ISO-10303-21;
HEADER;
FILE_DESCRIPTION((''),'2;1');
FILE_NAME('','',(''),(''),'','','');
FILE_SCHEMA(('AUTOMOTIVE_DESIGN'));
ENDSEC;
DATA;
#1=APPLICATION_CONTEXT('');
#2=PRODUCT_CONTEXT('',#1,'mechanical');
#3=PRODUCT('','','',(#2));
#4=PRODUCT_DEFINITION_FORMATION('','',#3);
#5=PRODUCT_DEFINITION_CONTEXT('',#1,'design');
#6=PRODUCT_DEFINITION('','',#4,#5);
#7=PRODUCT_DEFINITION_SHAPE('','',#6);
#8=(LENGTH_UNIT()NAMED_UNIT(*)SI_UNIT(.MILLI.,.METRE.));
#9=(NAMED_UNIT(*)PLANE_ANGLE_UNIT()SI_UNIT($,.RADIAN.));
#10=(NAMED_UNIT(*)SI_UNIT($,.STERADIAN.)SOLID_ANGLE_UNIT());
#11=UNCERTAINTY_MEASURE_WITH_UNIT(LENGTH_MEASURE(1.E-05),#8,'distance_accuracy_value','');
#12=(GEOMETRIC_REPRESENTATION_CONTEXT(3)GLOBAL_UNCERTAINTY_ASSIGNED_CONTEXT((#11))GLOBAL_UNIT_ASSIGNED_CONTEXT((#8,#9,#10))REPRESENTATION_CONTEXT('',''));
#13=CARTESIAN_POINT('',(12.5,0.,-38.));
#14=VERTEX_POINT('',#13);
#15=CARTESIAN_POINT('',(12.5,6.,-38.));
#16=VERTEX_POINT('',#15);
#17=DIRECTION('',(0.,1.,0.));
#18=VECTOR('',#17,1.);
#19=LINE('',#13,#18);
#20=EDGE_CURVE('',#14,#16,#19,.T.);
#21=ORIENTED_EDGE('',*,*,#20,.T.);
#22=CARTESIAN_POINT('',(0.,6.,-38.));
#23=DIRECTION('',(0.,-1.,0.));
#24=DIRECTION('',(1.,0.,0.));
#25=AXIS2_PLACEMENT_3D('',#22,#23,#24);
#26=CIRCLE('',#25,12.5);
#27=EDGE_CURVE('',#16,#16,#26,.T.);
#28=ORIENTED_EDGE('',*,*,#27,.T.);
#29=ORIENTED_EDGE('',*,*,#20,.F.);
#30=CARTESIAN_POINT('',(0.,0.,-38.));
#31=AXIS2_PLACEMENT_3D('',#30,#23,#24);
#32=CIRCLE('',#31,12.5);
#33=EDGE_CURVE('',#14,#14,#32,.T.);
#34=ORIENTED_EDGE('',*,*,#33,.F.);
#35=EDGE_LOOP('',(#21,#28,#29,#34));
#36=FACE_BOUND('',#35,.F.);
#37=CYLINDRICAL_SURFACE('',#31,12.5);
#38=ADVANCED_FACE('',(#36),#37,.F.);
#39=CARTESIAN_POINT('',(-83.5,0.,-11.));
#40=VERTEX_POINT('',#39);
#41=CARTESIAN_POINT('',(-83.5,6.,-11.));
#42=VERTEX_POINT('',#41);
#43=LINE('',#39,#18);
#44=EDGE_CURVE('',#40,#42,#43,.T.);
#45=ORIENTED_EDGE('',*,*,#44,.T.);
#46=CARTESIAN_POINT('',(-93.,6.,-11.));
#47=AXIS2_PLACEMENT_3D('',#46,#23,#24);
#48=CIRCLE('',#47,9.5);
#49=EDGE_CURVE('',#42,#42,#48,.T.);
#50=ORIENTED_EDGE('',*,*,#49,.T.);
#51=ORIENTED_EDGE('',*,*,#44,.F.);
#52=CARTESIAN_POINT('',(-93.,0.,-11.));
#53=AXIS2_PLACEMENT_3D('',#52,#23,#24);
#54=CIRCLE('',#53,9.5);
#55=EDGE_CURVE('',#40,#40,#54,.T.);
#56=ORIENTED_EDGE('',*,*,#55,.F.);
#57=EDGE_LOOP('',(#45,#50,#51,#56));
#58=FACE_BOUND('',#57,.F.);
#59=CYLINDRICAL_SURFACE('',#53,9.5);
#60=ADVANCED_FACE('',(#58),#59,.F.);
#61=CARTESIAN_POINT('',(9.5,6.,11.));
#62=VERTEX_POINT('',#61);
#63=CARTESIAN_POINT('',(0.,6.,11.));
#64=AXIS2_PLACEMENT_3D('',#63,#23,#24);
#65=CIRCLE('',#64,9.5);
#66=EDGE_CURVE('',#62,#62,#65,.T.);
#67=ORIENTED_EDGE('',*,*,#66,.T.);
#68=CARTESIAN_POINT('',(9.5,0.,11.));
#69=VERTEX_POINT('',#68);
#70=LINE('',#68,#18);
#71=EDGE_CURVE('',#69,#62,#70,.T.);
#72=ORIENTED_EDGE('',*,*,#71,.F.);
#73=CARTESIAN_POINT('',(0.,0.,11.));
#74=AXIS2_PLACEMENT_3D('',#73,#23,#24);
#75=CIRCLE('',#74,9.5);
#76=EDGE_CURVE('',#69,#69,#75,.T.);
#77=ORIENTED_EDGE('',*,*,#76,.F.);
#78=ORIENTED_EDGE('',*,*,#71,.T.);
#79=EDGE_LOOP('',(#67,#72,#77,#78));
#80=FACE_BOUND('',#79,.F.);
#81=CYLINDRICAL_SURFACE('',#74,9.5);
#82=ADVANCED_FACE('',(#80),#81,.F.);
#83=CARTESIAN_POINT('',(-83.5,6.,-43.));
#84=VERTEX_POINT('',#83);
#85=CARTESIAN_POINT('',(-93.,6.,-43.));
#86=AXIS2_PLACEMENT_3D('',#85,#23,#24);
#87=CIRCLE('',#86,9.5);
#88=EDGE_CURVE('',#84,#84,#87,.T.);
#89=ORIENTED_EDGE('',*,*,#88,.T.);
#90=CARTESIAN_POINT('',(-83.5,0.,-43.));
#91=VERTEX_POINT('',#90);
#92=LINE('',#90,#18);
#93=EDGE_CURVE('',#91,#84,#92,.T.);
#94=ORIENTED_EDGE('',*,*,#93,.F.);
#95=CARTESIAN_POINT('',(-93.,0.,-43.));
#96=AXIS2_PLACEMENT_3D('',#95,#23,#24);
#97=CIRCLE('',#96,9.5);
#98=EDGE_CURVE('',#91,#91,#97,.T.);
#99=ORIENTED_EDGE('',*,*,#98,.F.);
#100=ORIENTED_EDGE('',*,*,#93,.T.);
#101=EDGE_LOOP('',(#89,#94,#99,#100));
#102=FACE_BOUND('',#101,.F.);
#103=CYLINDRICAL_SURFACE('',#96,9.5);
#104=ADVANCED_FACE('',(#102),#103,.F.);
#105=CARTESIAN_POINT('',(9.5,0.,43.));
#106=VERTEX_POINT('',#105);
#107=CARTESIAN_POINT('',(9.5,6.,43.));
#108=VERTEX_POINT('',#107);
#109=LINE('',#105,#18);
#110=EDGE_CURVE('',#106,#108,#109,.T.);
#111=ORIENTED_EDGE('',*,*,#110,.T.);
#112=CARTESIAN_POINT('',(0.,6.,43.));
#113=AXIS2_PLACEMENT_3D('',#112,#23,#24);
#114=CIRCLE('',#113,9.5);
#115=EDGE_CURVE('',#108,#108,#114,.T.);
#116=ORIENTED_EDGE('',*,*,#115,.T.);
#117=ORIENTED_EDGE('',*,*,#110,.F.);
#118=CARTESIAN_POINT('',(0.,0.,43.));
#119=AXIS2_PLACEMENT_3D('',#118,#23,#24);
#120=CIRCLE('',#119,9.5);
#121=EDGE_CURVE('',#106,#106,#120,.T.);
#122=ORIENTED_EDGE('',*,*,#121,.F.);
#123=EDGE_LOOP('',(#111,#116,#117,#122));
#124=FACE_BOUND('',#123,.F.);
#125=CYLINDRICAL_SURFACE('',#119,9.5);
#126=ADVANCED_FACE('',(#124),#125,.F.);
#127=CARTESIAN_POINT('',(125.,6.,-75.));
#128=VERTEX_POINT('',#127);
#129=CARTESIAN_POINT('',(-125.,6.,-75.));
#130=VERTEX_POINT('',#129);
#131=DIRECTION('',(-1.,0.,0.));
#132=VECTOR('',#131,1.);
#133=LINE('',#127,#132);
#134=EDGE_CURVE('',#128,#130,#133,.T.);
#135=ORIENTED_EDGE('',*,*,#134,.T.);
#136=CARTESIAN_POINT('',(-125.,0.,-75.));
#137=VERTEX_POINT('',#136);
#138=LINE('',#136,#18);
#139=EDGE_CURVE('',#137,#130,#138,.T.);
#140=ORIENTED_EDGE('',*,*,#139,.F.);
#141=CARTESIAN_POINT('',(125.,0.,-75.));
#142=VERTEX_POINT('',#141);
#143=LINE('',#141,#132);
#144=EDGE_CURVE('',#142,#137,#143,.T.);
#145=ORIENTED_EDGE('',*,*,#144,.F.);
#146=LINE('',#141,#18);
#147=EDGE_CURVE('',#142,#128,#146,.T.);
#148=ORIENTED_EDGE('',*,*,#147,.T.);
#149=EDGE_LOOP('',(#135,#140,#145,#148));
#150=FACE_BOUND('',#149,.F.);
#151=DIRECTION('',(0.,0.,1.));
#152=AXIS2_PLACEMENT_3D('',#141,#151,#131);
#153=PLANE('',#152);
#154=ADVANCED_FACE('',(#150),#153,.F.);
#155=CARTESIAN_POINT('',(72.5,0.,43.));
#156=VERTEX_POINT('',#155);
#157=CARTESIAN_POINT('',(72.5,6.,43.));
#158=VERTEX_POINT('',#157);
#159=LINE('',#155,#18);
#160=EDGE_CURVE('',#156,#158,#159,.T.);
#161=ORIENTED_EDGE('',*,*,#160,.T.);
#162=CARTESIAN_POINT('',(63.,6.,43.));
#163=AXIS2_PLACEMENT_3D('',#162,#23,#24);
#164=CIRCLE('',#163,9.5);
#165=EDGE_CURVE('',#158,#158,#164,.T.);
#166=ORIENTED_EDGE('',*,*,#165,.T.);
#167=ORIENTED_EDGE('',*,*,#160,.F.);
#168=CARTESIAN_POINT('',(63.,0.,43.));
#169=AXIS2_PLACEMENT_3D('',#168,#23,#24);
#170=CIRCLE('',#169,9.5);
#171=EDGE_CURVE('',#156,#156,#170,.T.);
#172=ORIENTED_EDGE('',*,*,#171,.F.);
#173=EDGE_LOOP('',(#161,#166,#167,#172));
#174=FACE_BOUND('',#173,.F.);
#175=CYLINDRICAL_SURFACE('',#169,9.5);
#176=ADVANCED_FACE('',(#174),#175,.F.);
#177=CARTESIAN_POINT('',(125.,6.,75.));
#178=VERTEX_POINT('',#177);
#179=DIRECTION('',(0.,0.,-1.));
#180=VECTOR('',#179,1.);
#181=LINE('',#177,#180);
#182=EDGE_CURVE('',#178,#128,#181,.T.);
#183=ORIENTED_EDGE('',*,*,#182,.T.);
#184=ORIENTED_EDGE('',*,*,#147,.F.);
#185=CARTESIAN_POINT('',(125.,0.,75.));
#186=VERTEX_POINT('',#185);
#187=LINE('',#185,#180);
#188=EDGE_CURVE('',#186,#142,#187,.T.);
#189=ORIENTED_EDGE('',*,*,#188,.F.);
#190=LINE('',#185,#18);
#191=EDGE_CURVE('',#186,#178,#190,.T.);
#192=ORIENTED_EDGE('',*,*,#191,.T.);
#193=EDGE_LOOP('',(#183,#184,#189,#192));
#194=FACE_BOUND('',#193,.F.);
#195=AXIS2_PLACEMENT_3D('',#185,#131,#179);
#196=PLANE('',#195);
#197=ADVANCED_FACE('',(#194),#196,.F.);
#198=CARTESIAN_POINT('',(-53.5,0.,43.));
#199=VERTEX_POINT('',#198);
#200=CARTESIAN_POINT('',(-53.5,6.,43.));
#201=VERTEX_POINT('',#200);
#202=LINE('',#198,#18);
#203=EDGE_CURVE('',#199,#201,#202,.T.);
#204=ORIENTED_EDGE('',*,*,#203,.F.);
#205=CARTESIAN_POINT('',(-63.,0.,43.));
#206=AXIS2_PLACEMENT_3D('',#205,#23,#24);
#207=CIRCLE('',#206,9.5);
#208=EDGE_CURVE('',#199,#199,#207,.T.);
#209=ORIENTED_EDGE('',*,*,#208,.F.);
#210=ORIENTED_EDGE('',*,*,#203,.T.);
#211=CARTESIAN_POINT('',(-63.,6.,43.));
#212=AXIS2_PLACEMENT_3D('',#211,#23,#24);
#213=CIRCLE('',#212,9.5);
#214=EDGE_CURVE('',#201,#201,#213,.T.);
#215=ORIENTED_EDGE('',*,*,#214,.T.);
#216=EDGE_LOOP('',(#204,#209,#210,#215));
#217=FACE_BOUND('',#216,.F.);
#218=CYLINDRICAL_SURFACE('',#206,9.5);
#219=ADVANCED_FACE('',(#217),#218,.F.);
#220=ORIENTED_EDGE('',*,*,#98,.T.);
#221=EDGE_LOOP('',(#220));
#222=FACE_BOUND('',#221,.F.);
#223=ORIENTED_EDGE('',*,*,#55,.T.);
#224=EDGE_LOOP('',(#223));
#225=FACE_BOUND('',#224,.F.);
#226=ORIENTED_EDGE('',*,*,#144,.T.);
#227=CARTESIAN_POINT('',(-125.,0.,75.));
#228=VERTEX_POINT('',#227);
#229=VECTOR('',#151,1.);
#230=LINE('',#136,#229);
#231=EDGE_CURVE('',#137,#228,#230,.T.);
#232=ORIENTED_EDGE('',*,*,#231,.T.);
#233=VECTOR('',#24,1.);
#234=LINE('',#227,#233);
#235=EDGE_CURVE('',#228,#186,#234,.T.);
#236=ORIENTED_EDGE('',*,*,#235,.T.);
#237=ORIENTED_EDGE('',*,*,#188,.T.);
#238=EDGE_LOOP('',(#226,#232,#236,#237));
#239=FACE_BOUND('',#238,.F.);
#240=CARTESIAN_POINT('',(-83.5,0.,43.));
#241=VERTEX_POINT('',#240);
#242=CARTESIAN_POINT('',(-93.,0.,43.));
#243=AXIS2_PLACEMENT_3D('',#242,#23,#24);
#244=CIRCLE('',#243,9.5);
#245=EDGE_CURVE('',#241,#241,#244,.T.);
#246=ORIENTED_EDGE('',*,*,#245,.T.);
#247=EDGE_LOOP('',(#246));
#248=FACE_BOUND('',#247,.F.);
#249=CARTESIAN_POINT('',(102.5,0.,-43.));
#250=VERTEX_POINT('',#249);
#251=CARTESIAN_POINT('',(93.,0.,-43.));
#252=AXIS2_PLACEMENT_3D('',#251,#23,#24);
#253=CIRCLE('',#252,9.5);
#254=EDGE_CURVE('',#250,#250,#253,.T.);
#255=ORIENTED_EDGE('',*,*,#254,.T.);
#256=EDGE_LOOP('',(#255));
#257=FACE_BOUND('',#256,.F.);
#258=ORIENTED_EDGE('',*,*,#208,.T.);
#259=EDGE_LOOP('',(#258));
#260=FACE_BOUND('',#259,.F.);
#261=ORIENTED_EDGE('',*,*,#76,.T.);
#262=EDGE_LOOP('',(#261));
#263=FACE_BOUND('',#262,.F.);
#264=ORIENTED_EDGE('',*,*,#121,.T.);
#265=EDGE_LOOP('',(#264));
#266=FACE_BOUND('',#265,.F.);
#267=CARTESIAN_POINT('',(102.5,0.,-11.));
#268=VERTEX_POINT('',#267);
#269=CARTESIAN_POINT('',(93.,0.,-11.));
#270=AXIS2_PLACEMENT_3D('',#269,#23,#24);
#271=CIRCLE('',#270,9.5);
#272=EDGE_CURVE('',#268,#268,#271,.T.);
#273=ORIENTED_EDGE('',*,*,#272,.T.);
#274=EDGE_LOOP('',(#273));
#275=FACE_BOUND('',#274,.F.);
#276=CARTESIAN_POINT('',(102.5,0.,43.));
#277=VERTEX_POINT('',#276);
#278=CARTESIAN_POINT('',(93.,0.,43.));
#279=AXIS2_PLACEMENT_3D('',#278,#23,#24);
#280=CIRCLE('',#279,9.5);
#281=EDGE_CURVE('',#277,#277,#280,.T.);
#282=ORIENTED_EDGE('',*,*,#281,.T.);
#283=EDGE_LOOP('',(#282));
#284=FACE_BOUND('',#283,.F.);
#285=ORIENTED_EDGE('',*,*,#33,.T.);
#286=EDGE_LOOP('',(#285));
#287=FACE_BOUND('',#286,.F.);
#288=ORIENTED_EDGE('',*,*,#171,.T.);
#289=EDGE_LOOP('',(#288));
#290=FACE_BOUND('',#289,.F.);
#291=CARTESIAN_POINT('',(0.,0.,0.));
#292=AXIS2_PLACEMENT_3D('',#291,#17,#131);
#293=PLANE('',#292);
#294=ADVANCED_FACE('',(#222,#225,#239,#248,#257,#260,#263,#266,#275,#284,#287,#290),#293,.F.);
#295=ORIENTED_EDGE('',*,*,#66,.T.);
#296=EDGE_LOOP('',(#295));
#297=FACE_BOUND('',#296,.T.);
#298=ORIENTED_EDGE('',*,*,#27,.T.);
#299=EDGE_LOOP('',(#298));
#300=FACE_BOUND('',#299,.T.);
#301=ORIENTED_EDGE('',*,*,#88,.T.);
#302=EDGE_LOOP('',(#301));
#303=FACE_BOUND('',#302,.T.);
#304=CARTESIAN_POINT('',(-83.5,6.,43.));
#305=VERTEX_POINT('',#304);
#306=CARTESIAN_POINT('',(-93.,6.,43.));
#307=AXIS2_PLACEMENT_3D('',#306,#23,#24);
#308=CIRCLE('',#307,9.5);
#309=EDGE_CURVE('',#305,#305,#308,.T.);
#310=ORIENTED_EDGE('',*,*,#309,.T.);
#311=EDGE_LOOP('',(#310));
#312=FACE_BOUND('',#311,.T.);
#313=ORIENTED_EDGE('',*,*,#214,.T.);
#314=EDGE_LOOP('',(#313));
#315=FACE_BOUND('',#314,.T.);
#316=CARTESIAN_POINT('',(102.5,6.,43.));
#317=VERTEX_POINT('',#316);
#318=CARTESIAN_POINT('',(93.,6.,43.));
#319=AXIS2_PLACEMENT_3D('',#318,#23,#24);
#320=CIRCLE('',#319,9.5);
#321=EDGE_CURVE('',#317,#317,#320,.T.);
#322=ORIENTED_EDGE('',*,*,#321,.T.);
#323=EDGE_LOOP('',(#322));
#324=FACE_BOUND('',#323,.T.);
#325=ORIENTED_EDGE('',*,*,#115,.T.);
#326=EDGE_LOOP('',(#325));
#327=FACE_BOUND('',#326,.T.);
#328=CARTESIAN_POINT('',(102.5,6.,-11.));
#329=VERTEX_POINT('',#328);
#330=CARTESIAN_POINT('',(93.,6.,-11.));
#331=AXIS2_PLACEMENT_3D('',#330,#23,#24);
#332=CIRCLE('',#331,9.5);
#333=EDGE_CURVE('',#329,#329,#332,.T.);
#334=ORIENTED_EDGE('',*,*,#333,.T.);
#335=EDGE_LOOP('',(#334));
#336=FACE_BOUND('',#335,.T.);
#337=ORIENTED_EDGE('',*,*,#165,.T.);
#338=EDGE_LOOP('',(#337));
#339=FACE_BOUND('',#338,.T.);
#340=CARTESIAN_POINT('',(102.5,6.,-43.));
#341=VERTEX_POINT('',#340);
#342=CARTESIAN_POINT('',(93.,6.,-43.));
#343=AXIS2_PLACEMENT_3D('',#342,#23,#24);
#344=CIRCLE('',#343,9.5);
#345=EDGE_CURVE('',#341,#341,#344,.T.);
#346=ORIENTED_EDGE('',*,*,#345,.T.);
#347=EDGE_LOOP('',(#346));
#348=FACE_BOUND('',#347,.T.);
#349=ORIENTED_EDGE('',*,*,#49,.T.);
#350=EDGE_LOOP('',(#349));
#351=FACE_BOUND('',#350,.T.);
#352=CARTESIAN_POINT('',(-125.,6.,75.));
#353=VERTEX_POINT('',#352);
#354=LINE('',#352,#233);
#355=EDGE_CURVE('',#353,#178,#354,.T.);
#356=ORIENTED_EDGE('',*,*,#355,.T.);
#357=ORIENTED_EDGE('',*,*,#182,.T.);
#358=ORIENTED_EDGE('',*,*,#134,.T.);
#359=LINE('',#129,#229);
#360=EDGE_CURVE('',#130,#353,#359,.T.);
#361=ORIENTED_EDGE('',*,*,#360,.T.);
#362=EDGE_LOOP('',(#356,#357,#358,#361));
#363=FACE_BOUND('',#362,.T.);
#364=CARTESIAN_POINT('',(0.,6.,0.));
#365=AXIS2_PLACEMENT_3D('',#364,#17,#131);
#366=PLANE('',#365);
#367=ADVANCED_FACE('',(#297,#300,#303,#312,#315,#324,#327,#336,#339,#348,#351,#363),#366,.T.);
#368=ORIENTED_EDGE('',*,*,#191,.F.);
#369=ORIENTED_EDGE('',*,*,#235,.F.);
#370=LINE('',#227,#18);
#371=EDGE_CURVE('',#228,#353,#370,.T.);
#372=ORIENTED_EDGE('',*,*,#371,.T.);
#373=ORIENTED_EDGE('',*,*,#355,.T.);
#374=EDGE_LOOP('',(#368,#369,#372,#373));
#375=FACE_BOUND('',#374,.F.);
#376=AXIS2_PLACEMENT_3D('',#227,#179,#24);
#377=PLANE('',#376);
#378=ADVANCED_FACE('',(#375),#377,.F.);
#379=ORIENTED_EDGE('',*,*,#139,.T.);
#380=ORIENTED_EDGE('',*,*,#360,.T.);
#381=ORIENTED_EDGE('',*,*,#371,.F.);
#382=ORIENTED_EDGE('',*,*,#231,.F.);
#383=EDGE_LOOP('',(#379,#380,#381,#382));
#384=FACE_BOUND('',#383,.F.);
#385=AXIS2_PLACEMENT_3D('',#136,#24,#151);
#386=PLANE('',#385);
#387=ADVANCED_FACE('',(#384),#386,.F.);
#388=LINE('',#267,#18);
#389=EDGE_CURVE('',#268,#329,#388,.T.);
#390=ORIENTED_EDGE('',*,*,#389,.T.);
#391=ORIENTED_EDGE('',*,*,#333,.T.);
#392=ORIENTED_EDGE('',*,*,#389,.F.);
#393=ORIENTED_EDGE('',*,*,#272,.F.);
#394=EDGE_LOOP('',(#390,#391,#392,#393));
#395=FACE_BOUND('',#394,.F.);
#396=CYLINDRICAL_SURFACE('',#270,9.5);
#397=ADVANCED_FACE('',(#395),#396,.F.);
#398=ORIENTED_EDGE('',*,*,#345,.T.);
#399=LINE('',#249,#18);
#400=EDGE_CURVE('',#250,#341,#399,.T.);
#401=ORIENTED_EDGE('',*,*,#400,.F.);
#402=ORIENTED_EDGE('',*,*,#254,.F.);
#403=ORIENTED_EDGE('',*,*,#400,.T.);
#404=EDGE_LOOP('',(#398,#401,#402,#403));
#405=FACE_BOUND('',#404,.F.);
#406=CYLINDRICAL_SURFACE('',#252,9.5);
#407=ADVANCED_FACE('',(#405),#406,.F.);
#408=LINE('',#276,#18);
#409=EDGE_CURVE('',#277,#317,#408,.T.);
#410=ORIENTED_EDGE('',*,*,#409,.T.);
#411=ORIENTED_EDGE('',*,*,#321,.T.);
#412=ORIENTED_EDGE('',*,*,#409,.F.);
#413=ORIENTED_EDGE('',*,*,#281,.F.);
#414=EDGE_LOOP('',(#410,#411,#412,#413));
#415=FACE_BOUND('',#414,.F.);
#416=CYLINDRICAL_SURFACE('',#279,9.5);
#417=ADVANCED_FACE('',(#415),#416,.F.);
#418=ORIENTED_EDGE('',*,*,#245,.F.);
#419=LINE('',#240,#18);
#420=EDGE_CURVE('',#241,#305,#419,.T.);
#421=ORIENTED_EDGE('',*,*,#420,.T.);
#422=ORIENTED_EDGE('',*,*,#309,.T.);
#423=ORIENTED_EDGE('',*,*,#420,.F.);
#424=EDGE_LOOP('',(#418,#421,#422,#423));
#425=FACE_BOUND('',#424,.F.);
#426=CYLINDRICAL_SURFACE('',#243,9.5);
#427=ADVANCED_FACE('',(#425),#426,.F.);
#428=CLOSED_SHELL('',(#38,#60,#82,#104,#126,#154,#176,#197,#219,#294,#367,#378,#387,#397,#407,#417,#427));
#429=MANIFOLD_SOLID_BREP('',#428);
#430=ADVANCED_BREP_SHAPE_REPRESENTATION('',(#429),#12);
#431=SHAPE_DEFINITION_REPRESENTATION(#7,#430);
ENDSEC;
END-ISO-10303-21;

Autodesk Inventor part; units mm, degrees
ref_plane "YZ Plane" through (0, 0, 0) normal (1, 0, 0) x (0, 1, 0)
ref_plane "XZ Plane" through (0, 0, 0) normal (0, 1, 0) x (-1, 0, 0)
ref_plane "XY Plane" through (0, 0, 0) normal (0, 0, 1) x (1, 0, 0)
sketch "Skizze1" plane through (0, 0, 0) normal (0, 1, 0) x (-1, 0, 0)
  line L0 (125, 75) -> (-125, 75)
  line L1 (-125, 75) -> (-125, -75)
  line L2 (-125, -75) -> (125, -75)
  line L3 (125, -75) -> (125, 75)
  point P0 (0, 0)
  point P1 (0, -75)
  point P2 (125, 0)
  dimension "d0" = 250
  dimension "d1" = 150
extrude "Extrusion1" add sketch "Skizze1" along normal blind 6
sketch "Skizze2" plane through (0, 0, 0) normal (0, -1, 0) x (1, 0, 0)
  circle A0 centre (0, -38) radius 12.5
  circle A1 centre (-93, -43) radius 9.5
  circle A2 centre (-93, -11) radius 9.5
  circle A3 centre (93, -43) radius 9.5
  circle A4 centre (93, -11) radius 9.5
  circle A5 centre (93, 43) radius 9.5
  circle A6 centre (-63, 43) radius 9.5
  circle A7 centre (63, 43) radius 9.5
  circle A8 centre (-93, 43) radius 9.5
  line L0 (125, 75) -> (125, -75) projected
  line L1 (-125, 75) -> (125, 75) projected
  line L2 (-125, -75) -> (-125, 75) projected
  line L3 (125, -75) -> (-125, -75) projected
  line L4 (-113, 63) -> (113, 63) construction
  line L5 (113, 63) -> (113, -63) construction
  line L6 (113, -63) -> (-113, -63) construction
  line L7 (-113, -63) -> (-113, 63) construction
  line L8 (-93, -11) -> (-93, -43) construction
  line L9 (93, -11) -> (93, -43) construction
  circle A9 centre (93, -43) radius 12.5 construction
  circle A10 centre (93, 43) radius 12.5 construction
  circle A11 centre (63, 43) radius 12.5 construction
  circle A12 centre (0, 43) radius 9.5
  circle A13 centre (0, 11) radius 9.5
  line L10 (0, 43) -> (0, 11) construction
  circle A14 centre (0, -38) radius 16 construction
  point P0 (0, 0)
  point P1 (93, -27)
  point P2 (-93, -27)
  point P3 (0, 10.7432)
  point P4 (0, -63)
  dimension "d4" = 25
  dimension "d5" = 19
  dimension "d6" = 19
  dimension "d7" = 19
  dimension "d8" = 19
  dimension "d9" = 19
  dimension "d10" = 19
  dimension "d11" = 19
  dimension "d12" = 19
  dimension "d13" = 12
  dimension "d14" = 12
  dimension "d15" = 12
  dimension "d16" = 12
  dimension "d19" = 32
  dimension "d20" = 20
  dimension "d21" = 20
  dimension "d22" = 20
  dimension "d23" = 25
  dimension "d25" = 20
  dimension "d26" = 25
  dimension "d27" = 25
  dimension "d28" = 30
  dimension "d30" = 30
  dimension "d33" = 32
  dimension "d34" = 25
extrude "Extrusion2" cut sketch "Skizze2" against normal through all contours A0 | A1 | A2 | A3 | A4 | A5 | A6 | A7 | A8 | A12 | A13
properties part number "Grundplatte_Konsole" material "Holz (Kirsche)"
